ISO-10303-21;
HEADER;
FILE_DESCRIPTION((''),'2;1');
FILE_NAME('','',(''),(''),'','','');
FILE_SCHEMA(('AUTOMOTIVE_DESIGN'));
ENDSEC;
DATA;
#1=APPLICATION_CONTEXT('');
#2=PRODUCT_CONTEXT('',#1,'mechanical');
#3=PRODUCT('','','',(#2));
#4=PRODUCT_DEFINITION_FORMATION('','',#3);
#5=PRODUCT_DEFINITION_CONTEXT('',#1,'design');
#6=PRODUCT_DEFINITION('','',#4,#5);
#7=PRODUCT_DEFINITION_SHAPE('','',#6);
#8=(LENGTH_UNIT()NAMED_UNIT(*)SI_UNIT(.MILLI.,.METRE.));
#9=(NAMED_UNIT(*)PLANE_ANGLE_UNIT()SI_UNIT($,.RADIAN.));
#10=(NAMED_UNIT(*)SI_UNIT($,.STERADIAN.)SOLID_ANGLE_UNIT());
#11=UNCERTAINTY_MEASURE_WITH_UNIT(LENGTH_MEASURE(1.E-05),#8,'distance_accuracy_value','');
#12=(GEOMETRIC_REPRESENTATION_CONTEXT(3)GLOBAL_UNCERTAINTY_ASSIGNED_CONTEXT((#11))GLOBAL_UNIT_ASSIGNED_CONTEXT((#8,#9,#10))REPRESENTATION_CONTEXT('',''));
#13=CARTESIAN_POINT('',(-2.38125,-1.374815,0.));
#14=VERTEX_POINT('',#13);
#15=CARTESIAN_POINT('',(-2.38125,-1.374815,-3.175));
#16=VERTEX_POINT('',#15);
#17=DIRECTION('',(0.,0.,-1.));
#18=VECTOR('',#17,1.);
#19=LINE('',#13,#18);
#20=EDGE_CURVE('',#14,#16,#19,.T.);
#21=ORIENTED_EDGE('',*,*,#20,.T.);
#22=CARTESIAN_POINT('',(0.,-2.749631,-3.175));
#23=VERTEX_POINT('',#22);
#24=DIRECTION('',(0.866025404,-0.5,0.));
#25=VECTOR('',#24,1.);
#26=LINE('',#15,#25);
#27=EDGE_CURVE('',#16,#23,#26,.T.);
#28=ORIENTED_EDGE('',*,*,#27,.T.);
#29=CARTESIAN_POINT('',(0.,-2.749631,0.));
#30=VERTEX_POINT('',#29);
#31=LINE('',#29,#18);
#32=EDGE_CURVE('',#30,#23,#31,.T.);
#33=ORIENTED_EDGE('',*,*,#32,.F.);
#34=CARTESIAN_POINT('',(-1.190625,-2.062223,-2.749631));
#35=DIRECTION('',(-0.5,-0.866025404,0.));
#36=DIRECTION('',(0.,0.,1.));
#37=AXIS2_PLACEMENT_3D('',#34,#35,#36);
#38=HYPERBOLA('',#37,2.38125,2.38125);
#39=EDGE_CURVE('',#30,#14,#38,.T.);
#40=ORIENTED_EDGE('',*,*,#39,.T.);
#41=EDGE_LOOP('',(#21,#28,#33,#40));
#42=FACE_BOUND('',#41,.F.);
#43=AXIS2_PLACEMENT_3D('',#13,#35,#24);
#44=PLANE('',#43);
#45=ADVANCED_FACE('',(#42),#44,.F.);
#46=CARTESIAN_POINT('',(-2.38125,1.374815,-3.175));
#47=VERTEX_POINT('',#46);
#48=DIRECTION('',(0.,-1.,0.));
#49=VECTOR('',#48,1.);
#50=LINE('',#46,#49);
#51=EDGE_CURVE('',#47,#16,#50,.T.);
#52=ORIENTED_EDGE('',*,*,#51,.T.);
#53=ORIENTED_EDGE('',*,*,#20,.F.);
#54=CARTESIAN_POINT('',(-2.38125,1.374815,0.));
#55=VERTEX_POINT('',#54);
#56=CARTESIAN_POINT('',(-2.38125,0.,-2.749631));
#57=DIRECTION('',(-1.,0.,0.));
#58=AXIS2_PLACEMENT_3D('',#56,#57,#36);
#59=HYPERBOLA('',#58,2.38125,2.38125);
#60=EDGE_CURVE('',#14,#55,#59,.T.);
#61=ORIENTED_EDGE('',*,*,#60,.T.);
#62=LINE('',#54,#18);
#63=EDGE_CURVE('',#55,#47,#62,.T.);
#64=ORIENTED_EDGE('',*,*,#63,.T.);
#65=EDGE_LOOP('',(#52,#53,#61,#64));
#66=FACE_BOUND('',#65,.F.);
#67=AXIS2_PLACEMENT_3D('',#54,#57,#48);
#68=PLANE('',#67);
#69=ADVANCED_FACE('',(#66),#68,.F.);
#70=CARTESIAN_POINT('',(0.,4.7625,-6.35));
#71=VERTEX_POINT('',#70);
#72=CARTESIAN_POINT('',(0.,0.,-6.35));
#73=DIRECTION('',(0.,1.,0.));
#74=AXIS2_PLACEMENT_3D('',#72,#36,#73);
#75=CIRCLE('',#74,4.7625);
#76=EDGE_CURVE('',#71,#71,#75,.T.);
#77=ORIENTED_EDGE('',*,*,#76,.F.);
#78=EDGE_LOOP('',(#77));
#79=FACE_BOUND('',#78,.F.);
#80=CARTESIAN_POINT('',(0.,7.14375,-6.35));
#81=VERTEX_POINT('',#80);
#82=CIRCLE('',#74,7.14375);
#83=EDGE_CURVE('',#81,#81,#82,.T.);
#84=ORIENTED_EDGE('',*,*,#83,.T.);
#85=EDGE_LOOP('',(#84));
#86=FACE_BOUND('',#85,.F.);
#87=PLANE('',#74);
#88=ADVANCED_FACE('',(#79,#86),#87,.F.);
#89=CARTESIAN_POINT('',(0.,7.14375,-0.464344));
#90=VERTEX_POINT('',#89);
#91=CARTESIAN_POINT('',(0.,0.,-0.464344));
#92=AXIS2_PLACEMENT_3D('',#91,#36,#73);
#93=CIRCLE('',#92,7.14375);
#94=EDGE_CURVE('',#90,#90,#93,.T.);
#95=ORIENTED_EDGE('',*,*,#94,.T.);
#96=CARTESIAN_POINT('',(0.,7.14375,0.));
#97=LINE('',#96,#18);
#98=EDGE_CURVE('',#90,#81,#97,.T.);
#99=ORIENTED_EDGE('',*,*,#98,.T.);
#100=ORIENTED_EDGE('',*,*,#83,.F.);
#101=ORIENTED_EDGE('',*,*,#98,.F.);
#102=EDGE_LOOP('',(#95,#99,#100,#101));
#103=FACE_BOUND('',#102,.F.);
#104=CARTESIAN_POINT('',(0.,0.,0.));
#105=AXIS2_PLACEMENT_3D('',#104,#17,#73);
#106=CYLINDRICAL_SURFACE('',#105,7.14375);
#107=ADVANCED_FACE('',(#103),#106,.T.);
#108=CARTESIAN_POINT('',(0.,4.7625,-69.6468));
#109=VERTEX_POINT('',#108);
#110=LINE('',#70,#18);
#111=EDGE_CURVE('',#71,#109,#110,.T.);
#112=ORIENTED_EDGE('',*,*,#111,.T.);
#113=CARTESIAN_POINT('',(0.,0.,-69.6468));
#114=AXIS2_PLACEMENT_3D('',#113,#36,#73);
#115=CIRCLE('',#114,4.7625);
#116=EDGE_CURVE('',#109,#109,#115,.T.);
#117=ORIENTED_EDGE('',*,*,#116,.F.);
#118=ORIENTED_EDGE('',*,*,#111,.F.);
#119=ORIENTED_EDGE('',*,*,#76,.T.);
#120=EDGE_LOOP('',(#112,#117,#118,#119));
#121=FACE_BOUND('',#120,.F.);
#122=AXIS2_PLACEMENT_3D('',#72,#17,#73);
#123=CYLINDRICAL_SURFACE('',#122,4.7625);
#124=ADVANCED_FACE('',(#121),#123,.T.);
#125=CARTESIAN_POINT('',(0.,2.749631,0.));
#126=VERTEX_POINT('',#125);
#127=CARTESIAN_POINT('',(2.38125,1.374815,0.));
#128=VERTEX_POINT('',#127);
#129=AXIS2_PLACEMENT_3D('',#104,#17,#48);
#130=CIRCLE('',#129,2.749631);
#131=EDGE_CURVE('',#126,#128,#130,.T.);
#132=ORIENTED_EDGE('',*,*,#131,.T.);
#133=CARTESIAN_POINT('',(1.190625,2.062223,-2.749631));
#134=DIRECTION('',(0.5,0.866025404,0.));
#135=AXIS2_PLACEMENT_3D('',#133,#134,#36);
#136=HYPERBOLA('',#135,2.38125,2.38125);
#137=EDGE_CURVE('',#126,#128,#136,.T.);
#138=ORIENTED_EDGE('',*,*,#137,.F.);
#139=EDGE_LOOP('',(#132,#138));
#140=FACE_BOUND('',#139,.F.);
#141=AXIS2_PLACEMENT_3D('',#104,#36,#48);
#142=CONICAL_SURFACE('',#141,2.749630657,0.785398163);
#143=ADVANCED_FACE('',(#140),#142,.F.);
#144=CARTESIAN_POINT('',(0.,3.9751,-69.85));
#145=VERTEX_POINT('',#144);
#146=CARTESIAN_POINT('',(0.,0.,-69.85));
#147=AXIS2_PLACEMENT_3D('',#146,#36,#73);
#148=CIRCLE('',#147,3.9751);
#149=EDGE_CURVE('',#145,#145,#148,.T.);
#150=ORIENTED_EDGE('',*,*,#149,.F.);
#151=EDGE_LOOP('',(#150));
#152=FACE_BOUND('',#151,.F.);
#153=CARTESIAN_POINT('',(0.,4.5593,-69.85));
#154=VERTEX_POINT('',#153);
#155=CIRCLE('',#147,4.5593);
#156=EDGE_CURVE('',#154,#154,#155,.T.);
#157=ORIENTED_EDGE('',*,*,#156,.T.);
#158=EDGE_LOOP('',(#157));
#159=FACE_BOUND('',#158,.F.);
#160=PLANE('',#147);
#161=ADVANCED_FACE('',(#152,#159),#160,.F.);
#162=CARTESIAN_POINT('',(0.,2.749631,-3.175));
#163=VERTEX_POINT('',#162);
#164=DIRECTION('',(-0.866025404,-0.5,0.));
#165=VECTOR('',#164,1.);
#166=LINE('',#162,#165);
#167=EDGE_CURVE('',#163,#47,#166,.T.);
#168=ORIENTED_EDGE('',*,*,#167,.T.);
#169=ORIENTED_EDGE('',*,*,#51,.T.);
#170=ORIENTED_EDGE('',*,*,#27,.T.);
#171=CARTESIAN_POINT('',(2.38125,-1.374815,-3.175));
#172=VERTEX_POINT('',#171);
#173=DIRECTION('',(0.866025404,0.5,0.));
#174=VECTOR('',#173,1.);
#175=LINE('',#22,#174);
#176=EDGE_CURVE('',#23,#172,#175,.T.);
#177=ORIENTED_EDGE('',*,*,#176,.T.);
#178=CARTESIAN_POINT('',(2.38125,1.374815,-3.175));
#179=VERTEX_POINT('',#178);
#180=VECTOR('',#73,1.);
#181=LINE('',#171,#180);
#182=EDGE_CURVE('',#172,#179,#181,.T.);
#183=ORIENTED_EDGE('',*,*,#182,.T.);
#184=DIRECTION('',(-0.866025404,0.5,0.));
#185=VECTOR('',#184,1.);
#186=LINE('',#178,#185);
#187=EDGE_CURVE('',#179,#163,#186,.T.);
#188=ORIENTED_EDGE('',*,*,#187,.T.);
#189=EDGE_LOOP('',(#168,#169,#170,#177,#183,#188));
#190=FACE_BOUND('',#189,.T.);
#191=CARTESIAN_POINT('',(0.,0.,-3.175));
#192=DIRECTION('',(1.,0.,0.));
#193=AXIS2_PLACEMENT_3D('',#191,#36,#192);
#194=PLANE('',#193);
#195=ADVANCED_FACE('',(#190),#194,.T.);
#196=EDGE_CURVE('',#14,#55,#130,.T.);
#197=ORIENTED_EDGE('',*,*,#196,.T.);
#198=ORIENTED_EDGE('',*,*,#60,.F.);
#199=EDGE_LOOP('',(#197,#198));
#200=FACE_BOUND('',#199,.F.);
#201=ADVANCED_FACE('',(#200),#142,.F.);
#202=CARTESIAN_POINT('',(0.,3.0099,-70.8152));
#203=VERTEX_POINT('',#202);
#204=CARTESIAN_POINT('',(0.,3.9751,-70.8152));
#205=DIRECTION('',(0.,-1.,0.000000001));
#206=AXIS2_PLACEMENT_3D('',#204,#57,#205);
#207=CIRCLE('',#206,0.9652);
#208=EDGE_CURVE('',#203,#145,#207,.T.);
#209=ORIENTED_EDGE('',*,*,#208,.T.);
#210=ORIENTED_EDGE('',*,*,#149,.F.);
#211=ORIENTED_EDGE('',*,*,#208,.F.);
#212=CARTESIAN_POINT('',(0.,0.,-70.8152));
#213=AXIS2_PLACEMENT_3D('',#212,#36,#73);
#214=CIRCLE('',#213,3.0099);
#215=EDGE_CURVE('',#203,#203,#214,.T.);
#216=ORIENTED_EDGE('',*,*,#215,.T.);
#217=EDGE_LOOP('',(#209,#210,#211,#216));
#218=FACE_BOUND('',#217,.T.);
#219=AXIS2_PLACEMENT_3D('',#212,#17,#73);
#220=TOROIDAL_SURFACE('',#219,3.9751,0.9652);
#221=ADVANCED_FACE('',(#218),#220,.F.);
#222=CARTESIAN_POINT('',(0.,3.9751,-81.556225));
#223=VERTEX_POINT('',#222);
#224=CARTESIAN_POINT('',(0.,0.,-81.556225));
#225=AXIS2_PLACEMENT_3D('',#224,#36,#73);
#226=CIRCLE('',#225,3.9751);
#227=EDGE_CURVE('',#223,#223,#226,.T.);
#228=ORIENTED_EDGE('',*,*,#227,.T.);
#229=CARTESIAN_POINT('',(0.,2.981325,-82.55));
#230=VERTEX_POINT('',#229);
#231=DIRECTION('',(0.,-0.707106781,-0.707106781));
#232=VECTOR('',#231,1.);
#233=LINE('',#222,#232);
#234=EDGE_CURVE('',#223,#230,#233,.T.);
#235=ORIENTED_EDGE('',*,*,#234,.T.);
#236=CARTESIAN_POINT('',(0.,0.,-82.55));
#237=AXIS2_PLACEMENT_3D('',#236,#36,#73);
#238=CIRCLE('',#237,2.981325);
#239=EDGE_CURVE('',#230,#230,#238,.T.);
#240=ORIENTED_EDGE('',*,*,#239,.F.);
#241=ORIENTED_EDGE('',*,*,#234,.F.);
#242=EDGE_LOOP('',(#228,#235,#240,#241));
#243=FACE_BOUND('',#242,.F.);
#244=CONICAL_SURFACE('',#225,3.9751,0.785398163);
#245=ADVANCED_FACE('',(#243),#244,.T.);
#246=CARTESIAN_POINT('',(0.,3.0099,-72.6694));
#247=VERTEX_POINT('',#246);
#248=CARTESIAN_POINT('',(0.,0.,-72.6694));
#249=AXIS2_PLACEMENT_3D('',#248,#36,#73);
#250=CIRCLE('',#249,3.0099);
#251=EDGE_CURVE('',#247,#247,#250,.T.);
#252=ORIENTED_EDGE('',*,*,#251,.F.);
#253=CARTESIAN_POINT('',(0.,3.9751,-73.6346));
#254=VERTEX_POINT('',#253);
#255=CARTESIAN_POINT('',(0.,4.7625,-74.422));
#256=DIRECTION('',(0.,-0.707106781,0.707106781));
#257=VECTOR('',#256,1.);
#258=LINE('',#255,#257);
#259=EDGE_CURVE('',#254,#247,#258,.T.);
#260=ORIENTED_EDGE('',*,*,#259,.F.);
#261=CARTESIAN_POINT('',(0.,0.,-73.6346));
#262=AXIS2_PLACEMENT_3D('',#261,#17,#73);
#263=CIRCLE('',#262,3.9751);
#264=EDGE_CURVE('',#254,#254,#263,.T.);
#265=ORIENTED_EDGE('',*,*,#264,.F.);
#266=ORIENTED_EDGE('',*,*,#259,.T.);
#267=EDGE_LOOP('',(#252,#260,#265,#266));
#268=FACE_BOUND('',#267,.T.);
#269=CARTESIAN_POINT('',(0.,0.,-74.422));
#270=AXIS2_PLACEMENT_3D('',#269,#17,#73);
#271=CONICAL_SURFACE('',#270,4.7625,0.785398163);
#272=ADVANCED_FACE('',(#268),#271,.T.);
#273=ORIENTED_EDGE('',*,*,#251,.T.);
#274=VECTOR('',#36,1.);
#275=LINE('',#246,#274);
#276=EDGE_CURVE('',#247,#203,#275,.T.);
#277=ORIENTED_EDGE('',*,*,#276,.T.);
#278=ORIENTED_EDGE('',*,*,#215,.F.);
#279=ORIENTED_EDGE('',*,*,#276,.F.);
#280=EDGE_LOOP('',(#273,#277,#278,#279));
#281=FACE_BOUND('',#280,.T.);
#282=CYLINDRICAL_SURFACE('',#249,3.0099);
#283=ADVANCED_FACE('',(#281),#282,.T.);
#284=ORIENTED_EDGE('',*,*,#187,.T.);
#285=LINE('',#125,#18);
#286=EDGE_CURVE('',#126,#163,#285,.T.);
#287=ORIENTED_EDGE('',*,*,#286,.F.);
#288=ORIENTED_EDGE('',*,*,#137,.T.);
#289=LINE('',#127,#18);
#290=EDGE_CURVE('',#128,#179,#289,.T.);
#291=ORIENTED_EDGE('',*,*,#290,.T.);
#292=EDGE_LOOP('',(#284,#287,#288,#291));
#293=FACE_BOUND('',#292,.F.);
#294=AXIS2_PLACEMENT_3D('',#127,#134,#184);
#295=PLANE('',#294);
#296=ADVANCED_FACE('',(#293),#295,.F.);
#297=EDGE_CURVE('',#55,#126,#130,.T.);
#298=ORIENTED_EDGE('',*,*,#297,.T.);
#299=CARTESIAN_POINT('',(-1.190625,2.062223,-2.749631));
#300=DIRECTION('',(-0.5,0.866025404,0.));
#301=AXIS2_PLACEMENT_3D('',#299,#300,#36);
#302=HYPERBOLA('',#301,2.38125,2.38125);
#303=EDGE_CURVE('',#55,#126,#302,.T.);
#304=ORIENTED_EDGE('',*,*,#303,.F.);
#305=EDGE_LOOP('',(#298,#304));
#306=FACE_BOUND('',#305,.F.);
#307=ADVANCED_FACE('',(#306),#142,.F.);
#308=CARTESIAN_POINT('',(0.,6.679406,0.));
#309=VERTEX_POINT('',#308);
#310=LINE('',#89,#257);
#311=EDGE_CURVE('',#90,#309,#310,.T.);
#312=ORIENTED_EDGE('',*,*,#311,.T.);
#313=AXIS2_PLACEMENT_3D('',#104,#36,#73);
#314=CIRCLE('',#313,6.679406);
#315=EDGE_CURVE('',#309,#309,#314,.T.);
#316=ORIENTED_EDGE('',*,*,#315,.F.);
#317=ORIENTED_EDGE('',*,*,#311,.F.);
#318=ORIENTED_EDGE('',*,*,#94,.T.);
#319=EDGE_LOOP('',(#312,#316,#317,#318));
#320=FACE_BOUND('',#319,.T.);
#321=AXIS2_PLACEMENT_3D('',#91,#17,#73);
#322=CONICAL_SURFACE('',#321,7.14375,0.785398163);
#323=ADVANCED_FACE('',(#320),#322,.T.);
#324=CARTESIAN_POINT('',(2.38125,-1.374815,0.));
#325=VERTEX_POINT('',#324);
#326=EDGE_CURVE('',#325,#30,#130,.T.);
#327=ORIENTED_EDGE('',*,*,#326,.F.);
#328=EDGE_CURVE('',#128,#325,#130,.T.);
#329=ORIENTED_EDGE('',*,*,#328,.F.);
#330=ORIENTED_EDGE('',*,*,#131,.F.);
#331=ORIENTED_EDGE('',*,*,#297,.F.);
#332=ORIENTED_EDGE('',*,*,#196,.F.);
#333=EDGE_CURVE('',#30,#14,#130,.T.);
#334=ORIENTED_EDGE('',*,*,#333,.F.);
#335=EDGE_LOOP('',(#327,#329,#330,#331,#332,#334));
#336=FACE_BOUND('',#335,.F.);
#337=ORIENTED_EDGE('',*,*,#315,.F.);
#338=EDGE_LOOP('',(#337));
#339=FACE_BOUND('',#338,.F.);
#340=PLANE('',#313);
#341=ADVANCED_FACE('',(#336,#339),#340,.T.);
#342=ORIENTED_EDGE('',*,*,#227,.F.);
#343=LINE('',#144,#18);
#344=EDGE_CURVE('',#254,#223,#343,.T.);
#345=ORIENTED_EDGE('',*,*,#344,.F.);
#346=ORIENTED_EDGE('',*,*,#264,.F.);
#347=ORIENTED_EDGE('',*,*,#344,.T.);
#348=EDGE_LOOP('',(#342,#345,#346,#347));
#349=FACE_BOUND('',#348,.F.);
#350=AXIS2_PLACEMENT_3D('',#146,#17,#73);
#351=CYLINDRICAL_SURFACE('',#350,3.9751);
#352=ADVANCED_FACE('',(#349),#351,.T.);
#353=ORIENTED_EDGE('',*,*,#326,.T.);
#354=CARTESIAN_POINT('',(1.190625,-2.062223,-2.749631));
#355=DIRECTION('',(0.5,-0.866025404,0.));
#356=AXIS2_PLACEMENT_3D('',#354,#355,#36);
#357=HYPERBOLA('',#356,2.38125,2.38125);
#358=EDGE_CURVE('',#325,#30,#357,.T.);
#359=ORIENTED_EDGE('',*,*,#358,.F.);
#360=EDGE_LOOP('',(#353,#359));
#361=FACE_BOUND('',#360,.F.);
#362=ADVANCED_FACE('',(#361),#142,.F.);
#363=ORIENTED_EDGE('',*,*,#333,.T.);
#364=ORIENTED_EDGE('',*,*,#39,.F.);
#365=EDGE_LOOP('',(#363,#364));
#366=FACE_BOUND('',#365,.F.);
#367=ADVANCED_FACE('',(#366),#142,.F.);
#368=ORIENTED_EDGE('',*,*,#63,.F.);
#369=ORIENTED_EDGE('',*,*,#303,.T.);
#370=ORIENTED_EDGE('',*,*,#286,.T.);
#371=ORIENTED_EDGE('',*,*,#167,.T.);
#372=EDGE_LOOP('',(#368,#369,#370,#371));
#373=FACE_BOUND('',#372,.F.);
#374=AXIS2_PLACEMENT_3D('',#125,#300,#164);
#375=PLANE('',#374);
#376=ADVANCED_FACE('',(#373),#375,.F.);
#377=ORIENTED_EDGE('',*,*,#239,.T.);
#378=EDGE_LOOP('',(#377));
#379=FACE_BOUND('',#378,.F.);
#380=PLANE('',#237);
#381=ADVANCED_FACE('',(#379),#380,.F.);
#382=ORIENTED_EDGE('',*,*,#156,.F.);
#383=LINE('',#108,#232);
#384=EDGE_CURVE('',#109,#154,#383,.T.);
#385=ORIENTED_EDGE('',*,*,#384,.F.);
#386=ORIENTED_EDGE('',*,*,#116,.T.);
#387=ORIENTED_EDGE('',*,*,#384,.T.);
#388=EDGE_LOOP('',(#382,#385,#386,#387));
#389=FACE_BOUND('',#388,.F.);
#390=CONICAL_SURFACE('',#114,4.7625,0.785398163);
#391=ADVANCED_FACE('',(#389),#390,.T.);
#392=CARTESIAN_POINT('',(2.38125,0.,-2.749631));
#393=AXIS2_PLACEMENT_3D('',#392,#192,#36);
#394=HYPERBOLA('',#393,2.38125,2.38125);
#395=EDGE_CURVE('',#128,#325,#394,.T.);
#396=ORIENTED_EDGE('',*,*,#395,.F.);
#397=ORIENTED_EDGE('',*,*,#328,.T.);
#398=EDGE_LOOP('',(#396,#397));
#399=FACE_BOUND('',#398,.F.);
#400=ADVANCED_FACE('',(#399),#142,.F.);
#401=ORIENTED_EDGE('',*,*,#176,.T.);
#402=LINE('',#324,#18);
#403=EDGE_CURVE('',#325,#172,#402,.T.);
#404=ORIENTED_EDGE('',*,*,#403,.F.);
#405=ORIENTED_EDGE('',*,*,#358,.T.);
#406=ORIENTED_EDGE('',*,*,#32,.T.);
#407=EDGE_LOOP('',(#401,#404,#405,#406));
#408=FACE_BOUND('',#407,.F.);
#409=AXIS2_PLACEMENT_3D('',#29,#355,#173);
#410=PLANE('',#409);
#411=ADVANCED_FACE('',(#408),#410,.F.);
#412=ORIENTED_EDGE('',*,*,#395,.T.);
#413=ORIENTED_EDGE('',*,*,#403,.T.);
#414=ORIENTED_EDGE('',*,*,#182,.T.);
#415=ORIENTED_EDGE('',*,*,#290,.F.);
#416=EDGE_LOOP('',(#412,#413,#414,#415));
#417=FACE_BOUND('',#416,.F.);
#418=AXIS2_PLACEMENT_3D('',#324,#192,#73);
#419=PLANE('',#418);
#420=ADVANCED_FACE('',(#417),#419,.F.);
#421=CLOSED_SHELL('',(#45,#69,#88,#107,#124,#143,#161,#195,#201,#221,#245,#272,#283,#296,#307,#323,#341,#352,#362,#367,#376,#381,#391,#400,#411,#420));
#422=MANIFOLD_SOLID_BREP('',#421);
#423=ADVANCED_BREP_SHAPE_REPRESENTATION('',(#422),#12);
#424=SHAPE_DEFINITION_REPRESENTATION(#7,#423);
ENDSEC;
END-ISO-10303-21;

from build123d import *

# Parameters (mm, degrees)
CHAMFER1_SIZE      = 0.993775
CHAMFER2_SIZE      = 0.46434375
CHAMFER3_SIZE      = 0.2032
CUT_EXTRUDE2_DEPTH = 3.175


with BuildPart() as part:
    # Sketch1 → Revolve1 (revolve)
    with BuildSketch(Plane(origin=(0, 0, 0), x_dir=(0, 0, -1), z_dir=(1, 0, 0))):
        Polygon((0, 7.14375), (6.35, 7.14375), (6.35, 4.7625), (69.85, 4.7625), (69.85, 3.9751), (82.55, 3.9751), (82.55, 0), (0, 0), align=None)
    revolve(axis=Axis((0, 0, -82.55), (0, 0, 1)))

    # Sketch5 → Cut-Revolve1 (revolve, cut)
    with BuildSketch(Plane(origin=(0, 0, 0), x_dir=(0, 0, -1), z_dir=(1, 0, 0))):
        with BuildLine():
            Line((69.85, 4.7625), (74.422, 4.7625))
            Line((74.422, 4.7625), (72.6694, 3.0099))
            Line((72.6694, 3.0099), (70.8152, 3.0099))
            ThreePointArc((70.8152, 3.0099), (70.132700535, 3.292600535), (69.85, 3.9751))
            Line((69.85, 3.9751), (69.85, 4.7625))
        make_face()
    revolve(axis=Axis((0, 0, -82.55), (0, 0, 1)), mode=Mode.SUBTRACT)

    # Chamfer1
    chamfer1_edges = [part.edges().sort_by_distance(p)[0] for p in [
        (0, -3.9751, -82.55),
    ]]
    chamfer(chamfer1_edges, length=CHAMFER1_SIZE)

    # Chamfer2
    chamfer2_edges = [part.edges().sort_by_distance(p)[0] for p in [
        (0, -7.14375, 0),
    ]]
    chamfer(chamfer2_edges, length=CHAMFER2_SIZE)

    # Chamfer3
    chamfer3_edges = [part.edges().sort_by_distance(p)[0] for p in [
        (0, -4.7625, -69.85),
    ]]
    chamfer(chamfer3_edges, length=CHAMFER3_SIZE)

    # Sketch8 → Cut-Extrude2 (cut)
    with BuildSketch(Plane.XY):
        Polygon((2.38125, 1.374815329), (0, 2.749630657), (-2.38125, 1.374815329), (-2.38125, -1.374815329), (0, -2.749630657), (2.38125, -1.374815329), align=None)
    extrude(amount=-CUT_EXTRUDE2_DEPTH, mode=Mode.SUBTRACT)

    # Cut-Extrude4 cone 1 section (through the dimple's axis) → Cut-Extrude4 (revolve, cut)
    with BuildSketch(Plane(origin=(0, 0, 0), x_dir=(0, -1, 0), z_dir=(1, 0, 0))):
        Polygon((0, 0), (2.749630657, 0), (0, 2.749630657), align=None)
    revolve(axis=Axis((0, 0, 0), (0, 0, -1)), mode=Mode.SUBTRACT)

    # Sketch12 → Revolve2 (revolve)
    with BuildSketch(Plane(origin=(0, 0, 0), x_dir=(0, 0, -1), z_dir=(1, 0, 0))):
        with BuildLine():
            Line((69.85, 4.5593), (69.6468, 4.7625))
            Line((69.6468, 4.7625), (6.35, 4.7625))
            Line((6.35, 4.7625), (6.35, 0))
            Line((6.35, 0), (69.85, 0))
            Line((69.85, 0), (72.6694, 0))
            Line((72.6694, 0), (72.6694, 3.0099))
            Line((72.6694, 3.0099), (70.8152, 3.0099))
            ThreePointArc((70.8152, 3.0099), (70.132700535, 3.292600535), (69.85, 3.9751))
            Line((69.85, 3.9751), (69.85, 4.5593))
        make_face()
    revolve(axis=Axis((0, 0, -6.35), (0, 0, -1)))


solid = part.part
